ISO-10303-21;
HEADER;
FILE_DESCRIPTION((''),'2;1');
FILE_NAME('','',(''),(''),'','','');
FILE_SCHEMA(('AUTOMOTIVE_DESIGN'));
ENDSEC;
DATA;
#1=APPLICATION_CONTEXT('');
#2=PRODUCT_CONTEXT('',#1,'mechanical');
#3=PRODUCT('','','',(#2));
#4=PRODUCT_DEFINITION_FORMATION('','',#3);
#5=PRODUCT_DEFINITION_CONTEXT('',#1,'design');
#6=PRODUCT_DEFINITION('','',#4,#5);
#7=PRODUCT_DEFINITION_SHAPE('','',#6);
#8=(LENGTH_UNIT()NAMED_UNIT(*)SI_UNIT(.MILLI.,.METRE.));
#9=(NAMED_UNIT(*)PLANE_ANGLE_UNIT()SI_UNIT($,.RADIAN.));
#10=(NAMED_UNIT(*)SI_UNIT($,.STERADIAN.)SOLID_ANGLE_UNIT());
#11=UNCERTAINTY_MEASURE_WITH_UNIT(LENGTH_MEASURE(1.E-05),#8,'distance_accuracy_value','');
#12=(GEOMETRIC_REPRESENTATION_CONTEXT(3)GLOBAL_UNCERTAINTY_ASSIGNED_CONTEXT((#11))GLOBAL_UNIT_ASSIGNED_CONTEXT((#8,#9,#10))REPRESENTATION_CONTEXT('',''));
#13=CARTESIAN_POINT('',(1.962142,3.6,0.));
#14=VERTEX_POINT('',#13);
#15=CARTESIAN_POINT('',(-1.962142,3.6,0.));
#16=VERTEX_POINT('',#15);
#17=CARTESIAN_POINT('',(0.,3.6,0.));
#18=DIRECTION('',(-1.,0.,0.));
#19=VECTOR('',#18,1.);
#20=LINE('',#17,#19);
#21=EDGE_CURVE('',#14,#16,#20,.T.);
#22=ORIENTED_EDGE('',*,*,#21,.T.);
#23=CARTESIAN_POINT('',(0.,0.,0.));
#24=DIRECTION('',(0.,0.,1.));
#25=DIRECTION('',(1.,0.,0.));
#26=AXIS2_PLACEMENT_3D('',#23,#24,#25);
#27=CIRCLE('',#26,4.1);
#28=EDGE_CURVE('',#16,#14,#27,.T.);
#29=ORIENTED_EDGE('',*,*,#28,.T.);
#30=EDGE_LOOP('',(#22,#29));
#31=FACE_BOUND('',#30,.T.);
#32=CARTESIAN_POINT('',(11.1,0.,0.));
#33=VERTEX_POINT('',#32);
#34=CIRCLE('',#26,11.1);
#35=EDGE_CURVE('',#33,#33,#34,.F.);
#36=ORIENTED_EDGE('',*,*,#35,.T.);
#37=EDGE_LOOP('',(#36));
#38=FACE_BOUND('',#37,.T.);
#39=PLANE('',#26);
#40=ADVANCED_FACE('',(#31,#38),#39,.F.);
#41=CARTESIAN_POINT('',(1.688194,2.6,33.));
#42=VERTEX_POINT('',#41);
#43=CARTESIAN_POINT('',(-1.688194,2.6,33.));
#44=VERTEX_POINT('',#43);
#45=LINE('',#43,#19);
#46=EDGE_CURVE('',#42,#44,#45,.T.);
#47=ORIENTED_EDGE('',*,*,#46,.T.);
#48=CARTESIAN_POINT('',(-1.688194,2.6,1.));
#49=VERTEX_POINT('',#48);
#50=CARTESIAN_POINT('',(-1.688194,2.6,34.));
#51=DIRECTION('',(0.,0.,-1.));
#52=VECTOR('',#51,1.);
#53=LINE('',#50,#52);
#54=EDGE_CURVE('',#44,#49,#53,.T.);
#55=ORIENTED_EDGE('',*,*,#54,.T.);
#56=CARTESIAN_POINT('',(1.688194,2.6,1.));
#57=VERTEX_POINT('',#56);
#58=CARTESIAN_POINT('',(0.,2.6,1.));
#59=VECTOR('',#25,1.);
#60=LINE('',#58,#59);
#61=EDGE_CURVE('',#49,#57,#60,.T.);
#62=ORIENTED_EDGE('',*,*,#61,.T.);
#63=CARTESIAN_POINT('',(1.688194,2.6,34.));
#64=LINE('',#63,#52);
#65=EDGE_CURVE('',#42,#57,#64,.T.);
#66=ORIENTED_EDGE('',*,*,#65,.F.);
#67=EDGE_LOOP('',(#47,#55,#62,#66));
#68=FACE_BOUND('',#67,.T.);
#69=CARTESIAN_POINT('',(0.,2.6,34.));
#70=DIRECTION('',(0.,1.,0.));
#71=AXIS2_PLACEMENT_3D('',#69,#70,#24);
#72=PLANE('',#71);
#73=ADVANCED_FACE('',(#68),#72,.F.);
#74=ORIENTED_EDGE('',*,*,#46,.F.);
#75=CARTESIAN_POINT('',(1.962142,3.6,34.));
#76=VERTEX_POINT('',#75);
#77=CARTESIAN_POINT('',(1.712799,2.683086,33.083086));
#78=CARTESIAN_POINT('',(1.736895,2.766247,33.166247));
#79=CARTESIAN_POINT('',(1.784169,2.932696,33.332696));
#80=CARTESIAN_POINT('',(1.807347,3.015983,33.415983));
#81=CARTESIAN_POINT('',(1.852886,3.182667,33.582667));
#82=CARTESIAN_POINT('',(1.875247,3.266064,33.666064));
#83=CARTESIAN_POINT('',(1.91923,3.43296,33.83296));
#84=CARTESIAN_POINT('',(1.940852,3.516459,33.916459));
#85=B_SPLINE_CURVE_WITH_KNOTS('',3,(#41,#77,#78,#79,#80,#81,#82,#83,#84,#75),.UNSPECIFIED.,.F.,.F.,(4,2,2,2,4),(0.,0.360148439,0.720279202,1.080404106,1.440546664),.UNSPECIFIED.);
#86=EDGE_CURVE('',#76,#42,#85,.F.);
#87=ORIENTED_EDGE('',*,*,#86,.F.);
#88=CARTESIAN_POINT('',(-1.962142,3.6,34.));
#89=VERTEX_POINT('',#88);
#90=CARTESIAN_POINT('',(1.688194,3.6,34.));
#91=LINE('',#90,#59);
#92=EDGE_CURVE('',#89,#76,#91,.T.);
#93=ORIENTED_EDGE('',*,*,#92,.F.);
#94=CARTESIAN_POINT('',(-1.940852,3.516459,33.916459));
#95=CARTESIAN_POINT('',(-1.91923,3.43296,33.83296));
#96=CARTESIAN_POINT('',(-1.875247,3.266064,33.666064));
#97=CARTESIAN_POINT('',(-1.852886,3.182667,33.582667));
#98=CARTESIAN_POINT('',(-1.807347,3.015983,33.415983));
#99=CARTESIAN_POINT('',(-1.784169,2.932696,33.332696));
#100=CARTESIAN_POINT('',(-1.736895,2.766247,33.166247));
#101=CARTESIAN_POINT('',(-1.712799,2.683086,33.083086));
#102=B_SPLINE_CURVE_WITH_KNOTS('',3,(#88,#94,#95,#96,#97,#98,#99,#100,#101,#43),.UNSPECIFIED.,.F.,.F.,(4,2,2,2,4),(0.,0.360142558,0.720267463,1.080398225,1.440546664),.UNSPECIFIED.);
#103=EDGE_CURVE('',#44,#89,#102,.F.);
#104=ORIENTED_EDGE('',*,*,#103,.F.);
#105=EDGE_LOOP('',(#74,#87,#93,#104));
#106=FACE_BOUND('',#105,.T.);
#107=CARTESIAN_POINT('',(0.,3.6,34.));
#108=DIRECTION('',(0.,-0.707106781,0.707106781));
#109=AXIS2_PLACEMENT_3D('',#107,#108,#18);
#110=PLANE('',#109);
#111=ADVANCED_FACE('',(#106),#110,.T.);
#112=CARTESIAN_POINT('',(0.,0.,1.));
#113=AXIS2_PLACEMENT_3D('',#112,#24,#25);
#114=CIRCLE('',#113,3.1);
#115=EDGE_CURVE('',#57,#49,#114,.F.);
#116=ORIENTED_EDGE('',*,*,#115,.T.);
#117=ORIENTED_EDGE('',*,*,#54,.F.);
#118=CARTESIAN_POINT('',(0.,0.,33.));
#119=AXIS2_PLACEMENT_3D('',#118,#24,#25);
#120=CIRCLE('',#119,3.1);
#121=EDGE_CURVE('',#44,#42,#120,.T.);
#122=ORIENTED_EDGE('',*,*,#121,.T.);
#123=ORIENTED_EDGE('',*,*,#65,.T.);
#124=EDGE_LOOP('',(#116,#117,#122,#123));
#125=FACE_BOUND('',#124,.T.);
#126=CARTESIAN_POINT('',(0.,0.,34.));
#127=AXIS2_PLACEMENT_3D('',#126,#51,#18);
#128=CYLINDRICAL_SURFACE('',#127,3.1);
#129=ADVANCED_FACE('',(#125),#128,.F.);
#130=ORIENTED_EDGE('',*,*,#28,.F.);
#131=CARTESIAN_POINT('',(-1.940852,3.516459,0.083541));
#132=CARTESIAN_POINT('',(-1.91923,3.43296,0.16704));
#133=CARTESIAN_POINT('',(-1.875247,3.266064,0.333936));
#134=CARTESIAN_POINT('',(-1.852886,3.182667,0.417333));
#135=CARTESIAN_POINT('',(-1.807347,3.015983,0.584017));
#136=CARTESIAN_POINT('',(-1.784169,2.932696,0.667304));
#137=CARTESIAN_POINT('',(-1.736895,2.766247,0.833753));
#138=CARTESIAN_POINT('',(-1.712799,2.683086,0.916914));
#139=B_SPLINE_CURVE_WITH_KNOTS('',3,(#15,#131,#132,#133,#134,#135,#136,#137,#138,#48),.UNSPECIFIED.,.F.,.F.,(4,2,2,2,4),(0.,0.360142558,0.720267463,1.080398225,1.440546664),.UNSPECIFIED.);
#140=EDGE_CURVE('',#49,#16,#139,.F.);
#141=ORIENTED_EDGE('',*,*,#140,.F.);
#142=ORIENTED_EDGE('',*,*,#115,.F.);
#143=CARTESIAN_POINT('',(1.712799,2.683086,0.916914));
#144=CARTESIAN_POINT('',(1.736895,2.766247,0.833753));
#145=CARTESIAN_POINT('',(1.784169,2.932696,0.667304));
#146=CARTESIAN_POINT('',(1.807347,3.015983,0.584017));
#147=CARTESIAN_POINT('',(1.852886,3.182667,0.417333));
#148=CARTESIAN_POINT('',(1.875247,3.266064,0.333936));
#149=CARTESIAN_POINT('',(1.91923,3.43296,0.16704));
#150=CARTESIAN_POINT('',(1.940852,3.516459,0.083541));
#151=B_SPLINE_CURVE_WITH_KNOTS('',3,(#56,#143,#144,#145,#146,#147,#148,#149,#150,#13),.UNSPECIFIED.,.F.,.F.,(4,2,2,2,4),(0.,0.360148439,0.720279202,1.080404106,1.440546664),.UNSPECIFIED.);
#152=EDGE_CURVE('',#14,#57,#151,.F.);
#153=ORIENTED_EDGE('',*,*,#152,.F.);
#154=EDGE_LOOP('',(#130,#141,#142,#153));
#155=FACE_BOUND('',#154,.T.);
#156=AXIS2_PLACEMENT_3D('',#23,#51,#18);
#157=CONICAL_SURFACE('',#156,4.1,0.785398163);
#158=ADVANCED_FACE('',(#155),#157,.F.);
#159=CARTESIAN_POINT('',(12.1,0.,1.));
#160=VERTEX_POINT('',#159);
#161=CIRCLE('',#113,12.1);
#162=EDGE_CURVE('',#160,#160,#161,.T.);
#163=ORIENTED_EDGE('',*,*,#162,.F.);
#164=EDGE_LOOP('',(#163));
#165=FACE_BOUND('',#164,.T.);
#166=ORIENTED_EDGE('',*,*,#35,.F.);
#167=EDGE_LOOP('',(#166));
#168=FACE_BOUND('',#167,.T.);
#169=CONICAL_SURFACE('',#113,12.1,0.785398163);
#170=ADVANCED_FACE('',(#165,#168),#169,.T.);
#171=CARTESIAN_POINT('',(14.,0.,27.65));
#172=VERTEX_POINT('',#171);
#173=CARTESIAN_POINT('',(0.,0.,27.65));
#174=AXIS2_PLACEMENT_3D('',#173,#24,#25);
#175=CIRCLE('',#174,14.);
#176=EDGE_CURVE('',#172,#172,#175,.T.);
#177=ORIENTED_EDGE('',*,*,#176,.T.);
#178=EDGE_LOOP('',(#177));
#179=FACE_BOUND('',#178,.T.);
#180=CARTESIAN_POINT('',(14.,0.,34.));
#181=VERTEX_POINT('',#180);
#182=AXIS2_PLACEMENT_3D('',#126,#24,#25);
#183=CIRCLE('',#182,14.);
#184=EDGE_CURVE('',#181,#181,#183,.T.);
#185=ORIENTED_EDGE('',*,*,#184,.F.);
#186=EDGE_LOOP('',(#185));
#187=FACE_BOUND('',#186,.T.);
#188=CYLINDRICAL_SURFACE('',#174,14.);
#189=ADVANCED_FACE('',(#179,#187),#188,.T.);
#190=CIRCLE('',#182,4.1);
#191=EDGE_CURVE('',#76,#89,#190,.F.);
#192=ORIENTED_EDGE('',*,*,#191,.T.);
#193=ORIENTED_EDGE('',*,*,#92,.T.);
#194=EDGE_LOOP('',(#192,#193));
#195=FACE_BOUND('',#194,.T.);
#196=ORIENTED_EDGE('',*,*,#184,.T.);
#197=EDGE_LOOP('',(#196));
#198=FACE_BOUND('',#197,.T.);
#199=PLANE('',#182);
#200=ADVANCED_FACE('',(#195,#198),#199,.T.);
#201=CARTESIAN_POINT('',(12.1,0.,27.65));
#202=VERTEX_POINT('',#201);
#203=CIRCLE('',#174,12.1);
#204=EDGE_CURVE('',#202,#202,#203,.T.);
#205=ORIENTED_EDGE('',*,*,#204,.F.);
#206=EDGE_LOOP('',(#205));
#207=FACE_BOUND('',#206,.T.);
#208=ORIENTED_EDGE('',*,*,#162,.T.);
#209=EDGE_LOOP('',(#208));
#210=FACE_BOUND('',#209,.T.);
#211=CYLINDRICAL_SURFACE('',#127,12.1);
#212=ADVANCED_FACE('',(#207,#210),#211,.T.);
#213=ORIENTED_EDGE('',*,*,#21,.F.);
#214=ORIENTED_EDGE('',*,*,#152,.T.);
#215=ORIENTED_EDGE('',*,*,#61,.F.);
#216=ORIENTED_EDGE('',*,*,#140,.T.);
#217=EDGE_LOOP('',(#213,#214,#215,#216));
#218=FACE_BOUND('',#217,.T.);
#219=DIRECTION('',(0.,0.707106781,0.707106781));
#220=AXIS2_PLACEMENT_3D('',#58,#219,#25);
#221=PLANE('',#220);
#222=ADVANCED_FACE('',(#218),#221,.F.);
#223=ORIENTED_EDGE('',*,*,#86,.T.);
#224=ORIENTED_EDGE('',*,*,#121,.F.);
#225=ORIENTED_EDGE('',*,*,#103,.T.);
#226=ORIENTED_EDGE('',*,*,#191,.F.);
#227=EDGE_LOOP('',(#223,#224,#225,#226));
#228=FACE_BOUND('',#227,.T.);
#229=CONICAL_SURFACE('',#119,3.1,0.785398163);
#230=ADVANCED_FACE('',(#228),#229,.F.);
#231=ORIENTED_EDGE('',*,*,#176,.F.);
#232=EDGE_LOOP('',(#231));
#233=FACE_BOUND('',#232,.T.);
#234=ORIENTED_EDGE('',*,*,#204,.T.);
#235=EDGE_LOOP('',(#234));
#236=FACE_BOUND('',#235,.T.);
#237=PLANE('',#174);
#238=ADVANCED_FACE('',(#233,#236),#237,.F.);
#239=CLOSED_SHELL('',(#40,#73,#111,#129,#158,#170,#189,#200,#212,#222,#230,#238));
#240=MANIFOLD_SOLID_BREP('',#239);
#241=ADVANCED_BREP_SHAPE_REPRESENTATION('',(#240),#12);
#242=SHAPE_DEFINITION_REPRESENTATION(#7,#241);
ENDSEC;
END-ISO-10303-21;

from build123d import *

# Parameters (mm, degrees)
SKETCH2_R           = 12.1
BOSS_EXTRUDE1_DEPTH = 34
BOSS_EXTRUDE2_START = -6.35
SKETCH3_R           = 14
SKETCH3_R_2         = 12.1
BOSS_EXTRUDE2_DEPTH = 6.35
CHAMFER1_SIZE       = 1


with BuildPart() as part:
    # Sketch2 → Boss-Extrude1 (new body)
    with BuildSketch(Plane.XY):
        Circle(SKETCH2_R)
        with BuildLine():
            Line((-1.688194302, 2.6), (1.688194302, 2.6))
            ThreePointArc((1.688194302, 2.6), (0, -3.1), (-1.688194302, 2.6))
        make_face(mode=Mode.SUBTRACT)
    extrude(amount=BOSS_EXTRUDE1_DEPTH)

    # Sketch3 → Boss-Extrude2 (add)
    # profile 1 of 2: a face of its own
    with BuildSketch(Plane.XY.offset(34).offset(BOSS_EXTRUDE2_START)):
        Circle(SKETCH3_R)
        Circle(SKETCH3_R_2, mode=Mode.SUBTRACT)
    # profile 2 of 2: a face of its own
    with BuildSketch(Plane.XY.offset(34).offset(BOSS_EXTRUDE2_START)):
        Circle(SKETCH3_R_2)
        with BuildLine():
            Line((-1.688194302, 2.6), (1.688194302, 2.6))
            ThreePointArc((1.688194302, 2.6), (0, -3.1), (-1.688194302, 2.6))
        make_face(mode=Mode.SUBTRACT)
    extrude(amount=BOSS_EXTRUDE2_DEPTH)

    # Chamfer1
    chamfer1_edges = [part.edges().sort_by_distance(p)[0] for p in [
        (0, 2.6, 34),
        (-12.1, 0, 0),
        (0, 2.6, 0),
        (0, -3.1, 0),
        (0, -3.1, 34),
    ]]
    chamfer(chamfer1_edges, length=CHAMFER1_SIZE)


solid = part.part
